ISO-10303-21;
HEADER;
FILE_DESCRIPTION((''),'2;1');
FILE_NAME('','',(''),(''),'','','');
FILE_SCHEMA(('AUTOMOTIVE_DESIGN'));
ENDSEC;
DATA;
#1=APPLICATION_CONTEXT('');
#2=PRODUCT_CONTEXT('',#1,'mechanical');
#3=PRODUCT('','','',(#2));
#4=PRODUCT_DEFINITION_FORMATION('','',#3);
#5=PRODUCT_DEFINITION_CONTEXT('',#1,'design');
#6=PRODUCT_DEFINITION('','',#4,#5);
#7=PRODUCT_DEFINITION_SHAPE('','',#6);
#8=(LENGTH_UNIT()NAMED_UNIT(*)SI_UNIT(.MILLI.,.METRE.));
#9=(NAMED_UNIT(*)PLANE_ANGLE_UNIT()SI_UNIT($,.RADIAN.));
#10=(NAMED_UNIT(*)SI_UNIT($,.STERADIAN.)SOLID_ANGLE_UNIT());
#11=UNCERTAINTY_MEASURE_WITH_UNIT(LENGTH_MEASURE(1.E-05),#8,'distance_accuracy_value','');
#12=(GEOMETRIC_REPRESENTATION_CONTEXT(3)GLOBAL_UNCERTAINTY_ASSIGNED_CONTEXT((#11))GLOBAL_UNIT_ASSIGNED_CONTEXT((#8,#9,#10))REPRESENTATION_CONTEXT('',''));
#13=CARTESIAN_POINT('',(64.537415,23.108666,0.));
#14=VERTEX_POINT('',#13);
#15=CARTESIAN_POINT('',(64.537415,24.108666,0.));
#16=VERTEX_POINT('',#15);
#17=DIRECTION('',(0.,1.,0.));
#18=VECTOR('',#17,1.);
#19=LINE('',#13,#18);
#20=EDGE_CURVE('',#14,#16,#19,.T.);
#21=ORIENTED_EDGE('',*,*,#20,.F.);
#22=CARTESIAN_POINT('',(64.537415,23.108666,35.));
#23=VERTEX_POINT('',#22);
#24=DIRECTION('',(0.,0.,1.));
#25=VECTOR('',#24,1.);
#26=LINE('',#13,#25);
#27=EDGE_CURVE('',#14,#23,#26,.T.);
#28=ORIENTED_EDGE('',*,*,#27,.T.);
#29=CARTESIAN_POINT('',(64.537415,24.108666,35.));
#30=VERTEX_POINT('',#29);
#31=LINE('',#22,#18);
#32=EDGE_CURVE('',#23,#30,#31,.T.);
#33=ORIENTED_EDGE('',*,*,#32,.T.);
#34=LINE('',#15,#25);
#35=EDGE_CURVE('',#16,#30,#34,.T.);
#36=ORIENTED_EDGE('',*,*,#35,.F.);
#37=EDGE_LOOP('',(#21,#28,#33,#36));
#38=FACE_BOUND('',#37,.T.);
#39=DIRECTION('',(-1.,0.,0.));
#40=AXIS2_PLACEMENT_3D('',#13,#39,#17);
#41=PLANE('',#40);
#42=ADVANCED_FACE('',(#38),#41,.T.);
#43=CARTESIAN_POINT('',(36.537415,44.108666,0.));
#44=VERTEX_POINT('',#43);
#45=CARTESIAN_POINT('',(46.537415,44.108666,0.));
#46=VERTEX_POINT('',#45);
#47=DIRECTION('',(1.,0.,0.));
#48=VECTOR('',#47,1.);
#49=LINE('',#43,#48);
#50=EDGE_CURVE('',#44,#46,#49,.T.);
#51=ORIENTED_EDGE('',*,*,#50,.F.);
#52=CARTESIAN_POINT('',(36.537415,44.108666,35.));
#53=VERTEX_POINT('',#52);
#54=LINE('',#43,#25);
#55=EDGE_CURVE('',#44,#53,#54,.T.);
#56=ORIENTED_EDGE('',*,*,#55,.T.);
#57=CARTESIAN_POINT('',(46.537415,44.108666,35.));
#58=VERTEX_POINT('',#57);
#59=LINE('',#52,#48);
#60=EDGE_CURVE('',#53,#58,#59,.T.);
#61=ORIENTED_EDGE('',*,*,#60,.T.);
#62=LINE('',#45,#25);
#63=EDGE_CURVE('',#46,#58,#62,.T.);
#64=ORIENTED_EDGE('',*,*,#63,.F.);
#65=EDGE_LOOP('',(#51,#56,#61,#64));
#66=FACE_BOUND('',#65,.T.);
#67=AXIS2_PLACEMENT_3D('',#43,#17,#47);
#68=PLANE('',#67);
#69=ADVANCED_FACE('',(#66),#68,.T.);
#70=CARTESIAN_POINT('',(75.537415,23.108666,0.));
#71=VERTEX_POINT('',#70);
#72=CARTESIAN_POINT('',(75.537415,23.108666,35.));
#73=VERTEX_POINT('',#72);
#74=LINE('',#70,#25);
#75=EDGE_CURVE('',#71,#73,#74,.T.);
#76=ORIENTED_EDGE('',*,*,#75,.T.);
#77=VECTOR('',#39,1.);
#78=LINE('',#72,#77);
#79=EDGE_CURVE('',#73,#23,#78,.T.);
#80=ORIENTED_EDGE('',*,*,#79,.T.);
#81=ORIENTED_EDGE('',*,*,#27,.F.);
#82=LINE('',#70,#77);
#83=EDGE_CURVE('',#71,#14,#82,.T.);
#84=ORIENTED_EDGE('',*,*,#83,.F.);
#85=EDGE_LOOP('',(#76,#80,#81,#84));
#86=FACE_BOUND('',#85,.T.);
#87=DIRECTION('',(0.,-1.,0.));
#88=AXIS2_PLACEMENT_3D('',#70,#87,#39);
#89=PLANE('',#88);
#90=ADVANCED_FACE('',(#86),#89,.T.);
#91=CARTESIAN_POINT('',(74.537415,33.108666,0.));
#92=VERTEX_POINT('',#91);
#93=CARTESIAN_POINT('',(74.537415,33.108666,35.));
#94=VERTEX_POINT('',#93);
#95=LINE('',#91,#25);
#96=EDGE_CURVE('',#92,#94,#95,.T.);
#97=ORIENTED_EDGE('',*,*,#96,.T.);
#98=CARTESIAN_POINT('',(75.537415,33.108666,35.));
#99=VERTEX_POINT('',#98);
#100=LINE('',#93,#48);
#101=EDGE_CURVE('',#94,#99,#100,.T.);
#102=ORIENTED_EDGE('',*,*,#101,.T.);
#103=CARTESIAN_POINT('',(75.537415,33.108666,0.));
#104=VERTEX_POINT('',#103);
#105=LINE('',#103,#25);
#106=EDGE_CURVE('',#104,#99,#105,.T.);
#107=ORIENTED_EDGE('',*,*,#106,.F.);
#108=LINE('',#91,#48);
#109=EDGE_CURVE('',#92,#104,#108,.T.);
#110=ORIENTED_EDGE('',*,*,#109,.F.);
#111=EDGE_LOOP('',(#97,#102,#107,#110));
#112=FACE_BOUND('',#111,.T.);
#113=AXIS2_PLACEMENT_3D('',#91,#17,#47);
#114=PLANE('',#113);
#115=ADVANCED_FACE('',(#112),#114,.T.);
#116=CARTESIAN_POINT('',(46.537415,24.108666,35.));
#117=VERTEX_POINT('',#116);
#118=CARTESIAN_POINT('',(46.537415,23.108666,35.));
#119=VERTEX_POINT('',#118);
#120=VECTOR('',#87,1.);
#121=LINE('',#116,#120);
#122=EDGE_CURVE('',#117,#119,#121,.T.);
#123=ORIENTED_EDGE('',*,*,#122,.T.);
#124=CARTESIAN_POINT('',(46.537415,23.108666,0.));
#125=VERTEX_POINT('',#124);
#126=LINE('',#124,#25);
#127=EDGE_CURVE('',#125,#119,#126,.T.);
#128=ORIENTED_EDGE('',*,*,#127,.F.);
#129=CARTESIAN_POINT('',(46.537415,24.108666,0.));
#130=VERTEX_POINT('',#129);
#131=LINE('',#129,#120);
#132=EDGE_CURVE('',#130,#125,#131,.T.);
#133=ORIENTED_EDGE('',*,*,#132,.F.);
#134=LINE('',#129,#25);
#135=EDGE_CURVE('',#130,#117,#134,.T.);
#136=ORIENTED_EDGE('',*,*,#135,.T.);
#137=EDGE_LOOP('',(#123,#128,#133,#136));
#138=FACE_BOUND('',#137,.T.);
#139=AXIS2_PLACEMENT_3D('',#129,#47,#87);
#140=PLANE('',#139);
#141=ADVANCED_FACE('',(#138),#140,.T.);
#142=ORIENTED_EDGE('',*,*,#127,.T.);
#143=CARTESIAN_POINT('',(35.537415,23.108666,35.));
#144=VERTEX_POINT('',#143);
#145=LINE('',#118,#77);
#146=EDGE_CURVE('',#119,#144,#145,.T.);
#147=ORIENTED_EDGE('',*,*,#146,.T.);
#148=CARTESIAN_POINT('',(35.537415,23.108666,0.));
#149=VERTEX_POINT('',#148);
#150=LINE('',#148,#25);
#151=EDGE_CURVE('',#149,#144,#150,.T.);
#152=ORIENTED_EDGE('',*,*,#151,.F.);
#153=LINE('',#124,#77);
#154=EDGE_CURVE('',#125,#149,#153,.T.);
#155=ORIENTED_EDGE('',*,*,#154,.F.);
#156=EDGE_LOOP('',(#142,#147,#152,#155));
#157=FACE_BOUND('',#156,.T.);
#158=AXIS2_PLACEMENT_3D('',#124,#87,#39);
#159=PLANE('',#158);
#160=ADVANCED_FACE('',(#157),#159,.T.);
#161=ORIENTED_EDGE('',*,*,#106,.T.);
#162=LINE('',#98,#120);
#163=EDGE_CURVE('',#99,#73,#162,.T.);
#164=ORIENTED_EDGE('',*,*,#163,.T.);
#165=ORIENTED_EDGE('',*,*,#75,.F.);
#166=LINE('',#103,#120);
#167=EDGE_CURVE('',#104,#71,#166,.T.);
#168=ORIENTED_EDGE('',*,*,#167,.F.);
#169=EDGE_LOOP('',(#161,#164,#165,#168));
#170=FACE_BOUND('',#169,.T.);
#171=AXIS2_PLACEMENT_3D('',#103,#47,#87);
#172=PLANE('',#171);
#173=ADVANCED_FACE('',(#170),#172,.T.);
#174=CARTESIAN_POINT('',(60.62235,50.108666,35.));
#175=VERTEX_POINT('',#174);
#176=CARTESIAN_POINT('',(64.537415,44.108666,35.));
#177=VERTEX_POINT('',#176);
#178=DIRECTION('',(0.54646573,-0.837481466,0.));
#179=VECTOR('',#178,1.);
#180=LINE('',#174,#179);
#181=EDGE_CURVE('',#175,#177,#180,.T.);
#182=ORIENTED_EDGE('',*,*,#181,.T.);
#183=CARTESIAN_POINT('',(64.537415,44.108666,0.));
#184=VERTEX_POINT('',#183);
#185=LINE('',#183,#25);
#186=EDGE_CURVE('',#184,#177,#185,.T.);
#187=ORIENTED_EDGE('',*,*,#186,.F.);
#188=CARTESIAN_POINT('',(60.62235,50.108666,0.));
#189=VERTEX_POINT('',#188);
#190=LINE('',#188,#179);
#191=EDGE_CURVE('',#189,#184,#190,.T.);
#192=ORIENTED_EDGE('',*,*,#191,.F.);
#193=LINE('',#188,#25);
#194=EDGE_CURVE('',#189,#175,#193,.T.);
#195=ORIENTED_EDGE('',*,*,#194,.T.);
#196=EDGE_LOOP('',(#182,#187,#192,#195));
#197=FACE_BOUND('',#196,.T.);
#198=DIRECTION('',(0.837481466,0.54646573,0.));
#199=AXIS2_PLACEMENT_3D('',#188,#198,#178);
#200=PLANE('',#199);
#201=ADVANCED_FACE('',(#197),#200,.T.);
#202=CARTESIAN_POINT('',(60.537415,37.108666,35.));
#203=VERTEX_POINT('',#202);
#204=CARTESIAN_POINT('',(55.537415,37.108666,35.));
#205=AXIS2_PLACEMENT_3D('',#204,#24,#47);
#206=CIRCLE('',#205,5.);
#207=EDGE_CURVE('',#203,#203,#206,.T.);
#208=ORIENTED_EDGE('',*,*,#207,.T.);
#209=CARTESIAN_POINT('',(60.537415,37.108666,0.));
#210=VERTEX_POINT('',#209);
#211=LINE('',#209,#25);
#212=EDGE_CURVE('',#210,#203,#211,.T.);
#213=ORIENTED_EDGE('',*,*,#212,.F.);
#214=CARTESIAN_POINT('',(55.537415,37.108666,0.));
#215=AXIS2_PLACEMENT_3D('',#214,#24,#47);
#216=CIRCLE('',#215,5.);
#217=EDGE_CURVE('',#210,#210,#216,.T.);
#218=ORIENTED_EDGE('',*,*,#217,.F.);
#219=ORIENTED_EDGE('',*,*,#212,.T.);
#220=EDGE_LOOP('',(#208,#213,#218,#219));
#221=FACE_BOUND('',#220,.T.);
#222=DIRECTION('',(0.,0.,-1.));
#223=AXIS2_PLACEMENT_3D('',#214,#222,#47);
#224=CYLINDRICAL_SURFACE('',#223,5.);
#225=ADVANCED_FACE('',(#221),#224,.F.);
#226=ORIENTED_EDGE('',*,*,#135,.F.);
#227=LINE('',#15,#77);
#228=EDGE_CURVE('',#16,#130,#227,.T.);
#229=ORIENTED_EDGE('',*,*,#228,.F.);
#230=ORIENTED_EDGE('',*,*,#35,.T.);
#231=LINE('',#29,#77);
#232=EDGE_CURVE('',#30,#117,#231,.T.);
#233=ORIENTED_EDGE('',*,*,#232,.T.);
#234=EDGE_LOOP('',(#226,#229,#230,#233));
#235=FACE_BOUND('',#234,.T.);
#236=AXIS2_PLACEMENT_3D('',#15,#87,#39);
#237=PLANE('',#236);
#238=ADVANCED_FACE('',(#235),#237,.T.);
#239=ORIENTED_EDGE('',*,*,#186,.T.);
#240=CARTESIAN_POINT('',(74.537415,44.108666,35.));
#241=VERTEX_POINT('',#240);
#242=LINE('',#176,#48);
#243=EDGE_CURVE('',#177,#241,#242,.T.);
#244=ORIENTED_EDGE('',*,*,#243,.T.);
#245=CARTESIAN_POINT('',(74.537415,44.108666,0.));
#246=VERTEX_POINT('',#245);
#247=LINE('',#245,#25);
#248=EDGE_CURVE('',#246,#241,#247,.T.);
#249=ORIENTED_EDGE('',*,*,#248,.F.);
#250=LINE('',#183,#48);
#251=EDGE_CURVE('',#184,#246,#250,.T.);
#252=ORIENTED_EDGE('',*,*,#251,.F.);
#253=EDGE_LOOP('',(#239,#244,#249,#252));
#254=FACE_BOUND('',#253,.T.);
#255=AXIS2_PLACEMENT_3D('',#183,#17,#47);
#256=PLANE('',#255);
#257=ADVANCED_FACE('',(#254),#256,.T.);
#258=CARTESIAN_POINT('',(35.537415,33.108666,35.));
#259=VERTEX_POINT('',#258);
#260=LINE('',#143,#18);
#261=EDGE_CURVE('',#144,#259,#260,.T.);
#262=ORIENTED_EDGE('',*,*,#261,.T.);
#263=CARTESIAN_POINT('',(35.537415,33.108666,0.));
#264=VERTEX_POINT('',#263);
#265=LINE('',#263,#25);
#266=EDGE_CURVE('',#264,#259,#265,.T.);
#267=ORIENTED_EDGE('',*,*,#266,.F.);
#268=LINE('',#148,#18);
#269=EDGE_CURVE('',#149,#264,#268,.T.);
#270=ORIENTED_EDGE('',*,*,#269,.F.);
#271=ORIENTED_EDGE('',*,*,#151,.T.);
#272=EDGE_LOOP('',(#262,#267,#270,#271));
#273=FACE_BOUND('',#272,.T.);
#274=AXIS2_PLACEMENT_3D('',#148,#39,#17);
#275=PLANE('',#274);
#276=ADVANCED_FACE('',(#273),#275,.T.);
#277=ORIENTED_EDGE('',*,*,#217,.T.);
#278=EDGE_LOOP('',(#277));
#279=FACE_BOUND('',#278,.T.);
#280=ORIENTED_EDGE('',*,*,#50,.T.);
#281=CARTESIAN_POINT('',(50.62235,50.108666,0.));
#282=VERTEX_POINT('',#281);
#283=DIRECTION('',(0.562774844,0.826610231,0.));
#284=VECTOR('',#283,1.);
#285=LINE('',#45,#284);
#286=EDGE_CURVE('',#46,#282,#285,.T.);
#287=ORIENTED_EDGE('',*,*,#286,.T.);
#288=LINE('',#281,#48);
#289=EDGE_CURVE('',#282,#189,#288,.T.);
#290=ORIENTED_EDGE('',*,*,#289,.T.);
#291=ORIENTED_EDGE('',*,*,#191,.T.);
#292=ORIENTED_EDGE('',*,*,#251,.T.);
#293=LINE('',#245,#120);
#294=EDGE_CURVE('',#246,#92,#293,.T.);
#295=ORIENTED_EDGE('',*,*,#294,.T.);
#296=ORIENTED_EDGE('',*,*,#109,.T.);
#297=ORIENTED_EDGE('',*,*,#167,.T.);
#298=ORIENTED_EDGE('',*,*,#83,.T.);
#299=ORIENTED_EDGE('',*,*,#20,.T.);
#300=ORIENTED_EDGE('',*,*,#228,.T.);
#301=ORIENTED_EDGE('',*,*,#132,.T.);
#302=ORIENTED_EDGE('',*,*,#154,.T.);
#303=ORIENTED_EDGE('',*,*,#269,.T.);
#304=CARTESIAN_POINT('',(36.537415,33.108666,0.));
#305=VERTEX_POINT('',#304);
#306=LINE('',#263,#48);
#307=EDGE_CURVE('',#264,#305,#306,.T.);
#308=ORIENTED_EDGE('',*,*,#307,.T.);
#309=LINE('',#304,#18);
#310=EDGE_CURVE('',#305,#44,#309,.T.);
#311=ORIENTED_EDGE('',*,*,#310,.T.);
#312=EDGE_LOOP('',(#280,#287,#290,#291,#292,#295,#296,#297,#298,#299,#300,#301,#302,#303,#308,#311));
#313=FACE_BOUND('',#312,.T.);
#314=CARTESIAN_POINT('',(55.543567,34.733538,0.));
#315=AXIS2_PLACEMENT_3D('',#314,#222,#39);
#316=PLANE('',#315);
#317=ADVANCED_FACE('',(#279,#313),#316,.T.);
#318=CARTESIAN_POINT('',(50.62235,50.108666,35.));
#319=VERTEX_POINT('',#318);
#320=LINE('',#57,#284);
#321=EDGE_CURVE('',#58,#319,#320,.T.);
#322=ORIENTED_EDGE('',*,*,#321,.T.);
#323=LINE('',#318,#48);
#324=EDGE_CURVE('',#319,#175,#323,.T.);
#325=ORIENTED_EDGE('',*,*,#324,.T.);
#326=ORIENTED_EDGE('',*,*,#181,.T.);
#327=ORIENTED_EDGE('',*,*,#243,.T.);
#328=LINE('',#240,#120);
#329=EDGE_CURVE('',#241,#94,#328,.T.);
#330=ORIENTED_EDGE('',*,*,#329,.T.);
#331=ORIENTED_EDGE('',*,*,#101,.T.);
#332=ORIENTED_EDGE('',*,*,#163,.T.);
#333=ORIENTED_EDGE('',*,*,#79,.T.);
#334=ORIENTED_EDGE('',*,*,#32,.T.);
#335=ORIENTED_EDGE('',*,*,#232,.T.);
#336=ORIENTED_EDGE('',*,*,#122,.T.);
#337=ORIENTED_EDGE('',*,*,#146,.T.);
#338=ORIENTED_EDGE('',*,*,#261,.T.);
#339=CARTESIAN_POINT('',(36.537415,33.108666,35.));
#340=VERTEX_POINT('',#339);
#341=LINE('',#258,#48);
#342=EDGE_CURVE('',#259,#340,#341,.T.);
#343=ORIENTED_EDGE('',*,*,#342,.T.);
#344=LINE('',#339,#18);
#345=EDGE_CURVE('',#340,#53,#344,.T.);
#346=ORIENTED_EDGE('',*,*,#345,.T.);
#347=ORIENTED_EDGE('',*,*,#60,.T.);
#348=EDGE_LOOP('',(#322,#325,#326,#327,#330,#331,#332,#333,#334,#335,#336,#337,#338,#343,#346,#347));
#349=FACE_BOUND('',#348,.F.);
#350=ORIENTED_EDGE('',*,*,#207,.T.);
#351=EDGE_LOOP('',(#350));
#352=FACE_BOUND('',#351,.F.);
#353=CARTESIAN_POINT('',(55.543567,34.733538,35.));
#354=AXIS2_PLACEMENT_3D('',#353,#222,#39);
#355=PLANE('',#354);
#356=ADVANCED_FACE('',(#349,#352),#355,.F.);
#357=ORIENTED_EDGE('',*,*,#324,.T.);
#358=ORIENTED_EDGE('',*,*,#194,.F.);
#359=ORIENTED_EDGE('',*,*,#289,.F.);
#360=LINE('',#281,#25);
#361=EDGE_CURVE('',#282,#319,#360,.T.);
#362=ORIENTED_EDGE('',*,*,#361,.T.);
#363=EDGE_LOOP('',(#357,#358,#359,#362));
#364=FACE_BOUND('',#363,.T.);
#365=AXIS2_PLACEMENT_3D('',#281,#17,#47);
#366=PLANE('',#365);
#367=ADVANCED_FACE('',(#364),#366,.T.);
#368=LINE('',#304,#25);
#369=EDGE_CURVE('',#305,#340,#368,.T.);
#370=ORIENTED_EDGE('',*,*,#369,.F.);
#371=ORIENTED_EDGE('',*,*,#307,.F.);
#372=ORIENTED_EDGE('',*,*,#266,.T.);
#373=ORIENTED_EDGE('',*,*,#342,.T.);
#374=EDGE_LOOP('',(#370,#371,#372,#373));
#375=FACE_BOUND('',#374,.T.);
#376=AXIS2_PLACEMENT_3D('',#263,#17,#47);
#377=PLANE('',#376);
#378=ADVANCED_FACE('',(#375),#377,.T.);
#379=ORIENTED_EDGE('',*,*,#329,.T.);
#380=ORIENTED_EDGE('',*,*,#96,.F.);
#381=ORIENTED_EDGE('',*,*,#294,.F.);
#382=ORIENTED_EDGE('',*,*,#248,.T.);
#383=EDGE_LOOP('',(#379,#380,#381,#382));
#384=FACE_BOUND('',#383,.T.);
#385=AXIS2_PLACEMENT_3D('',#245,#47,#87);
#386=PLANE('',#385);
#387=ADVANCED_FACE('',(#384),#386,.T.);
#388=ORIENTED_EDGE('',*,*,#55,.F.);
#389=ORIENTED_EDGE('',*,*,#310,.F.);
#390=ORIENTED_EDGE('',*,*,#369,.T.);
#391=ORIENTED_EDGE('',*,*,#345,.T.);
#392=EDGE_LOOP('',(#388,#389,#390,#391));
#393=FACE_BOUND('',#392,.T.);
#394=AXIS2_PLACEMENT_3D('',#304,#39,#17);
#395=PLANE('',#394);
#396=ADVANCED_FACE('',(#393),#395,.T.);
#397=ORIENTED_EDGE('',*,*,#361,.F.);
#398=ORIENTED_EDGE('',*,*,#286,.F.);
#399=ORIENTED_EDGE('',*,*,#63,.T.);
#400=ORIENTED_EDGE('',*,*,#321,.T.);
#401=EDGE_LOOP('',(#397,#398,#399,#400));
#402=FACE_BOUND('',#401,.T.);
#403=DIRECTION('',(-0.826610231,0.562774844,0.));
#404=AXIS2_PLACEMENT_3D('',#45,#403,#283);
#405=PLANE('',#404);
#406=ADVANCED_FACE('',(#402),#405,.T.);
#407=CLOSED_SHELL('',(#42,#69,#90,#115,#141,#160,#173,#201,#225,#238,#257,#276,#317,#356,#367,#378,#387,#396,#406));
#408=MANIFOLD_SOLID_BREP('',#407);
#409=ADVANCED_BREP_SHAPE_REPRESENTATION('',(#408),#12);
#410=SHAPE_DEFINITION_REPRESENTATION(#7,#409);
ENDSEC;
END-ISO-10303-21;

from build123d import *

# Parameters (mm, degrees)
SKETCH_R      = 5
EXTRUDE_DEPTH = 35


with BuildPart() as part:
    # Sketch → Extrude (new body)
    with BuildSketch(Plane.XY):
        Polygon((35.537415, 23.108666), (35.537415, 33.108666), (36.537415, 33.108666), (36.537415, 44.108666), (46.537415, 44.108666), (50.62235, 50.108666), (60.62235, 50.108666), (64.537415, 44.108666), (74.537415, 44.108666), (74.537415, 33.108666), (75.537415, 33.108666), (75.537415, 23.108666), (64.537415, 23.108666), (64.537415, 24.108666), (46.537415, 24.108666), (46.537415, 23.108666), align=None)
        with Locations((55.537415, 37.108666)):
            Circle(SKETCH_R, mode=Mode.SUBTRACT)
    extrude(amount=EXTRUDE_DEPTH)


solid = part.part
